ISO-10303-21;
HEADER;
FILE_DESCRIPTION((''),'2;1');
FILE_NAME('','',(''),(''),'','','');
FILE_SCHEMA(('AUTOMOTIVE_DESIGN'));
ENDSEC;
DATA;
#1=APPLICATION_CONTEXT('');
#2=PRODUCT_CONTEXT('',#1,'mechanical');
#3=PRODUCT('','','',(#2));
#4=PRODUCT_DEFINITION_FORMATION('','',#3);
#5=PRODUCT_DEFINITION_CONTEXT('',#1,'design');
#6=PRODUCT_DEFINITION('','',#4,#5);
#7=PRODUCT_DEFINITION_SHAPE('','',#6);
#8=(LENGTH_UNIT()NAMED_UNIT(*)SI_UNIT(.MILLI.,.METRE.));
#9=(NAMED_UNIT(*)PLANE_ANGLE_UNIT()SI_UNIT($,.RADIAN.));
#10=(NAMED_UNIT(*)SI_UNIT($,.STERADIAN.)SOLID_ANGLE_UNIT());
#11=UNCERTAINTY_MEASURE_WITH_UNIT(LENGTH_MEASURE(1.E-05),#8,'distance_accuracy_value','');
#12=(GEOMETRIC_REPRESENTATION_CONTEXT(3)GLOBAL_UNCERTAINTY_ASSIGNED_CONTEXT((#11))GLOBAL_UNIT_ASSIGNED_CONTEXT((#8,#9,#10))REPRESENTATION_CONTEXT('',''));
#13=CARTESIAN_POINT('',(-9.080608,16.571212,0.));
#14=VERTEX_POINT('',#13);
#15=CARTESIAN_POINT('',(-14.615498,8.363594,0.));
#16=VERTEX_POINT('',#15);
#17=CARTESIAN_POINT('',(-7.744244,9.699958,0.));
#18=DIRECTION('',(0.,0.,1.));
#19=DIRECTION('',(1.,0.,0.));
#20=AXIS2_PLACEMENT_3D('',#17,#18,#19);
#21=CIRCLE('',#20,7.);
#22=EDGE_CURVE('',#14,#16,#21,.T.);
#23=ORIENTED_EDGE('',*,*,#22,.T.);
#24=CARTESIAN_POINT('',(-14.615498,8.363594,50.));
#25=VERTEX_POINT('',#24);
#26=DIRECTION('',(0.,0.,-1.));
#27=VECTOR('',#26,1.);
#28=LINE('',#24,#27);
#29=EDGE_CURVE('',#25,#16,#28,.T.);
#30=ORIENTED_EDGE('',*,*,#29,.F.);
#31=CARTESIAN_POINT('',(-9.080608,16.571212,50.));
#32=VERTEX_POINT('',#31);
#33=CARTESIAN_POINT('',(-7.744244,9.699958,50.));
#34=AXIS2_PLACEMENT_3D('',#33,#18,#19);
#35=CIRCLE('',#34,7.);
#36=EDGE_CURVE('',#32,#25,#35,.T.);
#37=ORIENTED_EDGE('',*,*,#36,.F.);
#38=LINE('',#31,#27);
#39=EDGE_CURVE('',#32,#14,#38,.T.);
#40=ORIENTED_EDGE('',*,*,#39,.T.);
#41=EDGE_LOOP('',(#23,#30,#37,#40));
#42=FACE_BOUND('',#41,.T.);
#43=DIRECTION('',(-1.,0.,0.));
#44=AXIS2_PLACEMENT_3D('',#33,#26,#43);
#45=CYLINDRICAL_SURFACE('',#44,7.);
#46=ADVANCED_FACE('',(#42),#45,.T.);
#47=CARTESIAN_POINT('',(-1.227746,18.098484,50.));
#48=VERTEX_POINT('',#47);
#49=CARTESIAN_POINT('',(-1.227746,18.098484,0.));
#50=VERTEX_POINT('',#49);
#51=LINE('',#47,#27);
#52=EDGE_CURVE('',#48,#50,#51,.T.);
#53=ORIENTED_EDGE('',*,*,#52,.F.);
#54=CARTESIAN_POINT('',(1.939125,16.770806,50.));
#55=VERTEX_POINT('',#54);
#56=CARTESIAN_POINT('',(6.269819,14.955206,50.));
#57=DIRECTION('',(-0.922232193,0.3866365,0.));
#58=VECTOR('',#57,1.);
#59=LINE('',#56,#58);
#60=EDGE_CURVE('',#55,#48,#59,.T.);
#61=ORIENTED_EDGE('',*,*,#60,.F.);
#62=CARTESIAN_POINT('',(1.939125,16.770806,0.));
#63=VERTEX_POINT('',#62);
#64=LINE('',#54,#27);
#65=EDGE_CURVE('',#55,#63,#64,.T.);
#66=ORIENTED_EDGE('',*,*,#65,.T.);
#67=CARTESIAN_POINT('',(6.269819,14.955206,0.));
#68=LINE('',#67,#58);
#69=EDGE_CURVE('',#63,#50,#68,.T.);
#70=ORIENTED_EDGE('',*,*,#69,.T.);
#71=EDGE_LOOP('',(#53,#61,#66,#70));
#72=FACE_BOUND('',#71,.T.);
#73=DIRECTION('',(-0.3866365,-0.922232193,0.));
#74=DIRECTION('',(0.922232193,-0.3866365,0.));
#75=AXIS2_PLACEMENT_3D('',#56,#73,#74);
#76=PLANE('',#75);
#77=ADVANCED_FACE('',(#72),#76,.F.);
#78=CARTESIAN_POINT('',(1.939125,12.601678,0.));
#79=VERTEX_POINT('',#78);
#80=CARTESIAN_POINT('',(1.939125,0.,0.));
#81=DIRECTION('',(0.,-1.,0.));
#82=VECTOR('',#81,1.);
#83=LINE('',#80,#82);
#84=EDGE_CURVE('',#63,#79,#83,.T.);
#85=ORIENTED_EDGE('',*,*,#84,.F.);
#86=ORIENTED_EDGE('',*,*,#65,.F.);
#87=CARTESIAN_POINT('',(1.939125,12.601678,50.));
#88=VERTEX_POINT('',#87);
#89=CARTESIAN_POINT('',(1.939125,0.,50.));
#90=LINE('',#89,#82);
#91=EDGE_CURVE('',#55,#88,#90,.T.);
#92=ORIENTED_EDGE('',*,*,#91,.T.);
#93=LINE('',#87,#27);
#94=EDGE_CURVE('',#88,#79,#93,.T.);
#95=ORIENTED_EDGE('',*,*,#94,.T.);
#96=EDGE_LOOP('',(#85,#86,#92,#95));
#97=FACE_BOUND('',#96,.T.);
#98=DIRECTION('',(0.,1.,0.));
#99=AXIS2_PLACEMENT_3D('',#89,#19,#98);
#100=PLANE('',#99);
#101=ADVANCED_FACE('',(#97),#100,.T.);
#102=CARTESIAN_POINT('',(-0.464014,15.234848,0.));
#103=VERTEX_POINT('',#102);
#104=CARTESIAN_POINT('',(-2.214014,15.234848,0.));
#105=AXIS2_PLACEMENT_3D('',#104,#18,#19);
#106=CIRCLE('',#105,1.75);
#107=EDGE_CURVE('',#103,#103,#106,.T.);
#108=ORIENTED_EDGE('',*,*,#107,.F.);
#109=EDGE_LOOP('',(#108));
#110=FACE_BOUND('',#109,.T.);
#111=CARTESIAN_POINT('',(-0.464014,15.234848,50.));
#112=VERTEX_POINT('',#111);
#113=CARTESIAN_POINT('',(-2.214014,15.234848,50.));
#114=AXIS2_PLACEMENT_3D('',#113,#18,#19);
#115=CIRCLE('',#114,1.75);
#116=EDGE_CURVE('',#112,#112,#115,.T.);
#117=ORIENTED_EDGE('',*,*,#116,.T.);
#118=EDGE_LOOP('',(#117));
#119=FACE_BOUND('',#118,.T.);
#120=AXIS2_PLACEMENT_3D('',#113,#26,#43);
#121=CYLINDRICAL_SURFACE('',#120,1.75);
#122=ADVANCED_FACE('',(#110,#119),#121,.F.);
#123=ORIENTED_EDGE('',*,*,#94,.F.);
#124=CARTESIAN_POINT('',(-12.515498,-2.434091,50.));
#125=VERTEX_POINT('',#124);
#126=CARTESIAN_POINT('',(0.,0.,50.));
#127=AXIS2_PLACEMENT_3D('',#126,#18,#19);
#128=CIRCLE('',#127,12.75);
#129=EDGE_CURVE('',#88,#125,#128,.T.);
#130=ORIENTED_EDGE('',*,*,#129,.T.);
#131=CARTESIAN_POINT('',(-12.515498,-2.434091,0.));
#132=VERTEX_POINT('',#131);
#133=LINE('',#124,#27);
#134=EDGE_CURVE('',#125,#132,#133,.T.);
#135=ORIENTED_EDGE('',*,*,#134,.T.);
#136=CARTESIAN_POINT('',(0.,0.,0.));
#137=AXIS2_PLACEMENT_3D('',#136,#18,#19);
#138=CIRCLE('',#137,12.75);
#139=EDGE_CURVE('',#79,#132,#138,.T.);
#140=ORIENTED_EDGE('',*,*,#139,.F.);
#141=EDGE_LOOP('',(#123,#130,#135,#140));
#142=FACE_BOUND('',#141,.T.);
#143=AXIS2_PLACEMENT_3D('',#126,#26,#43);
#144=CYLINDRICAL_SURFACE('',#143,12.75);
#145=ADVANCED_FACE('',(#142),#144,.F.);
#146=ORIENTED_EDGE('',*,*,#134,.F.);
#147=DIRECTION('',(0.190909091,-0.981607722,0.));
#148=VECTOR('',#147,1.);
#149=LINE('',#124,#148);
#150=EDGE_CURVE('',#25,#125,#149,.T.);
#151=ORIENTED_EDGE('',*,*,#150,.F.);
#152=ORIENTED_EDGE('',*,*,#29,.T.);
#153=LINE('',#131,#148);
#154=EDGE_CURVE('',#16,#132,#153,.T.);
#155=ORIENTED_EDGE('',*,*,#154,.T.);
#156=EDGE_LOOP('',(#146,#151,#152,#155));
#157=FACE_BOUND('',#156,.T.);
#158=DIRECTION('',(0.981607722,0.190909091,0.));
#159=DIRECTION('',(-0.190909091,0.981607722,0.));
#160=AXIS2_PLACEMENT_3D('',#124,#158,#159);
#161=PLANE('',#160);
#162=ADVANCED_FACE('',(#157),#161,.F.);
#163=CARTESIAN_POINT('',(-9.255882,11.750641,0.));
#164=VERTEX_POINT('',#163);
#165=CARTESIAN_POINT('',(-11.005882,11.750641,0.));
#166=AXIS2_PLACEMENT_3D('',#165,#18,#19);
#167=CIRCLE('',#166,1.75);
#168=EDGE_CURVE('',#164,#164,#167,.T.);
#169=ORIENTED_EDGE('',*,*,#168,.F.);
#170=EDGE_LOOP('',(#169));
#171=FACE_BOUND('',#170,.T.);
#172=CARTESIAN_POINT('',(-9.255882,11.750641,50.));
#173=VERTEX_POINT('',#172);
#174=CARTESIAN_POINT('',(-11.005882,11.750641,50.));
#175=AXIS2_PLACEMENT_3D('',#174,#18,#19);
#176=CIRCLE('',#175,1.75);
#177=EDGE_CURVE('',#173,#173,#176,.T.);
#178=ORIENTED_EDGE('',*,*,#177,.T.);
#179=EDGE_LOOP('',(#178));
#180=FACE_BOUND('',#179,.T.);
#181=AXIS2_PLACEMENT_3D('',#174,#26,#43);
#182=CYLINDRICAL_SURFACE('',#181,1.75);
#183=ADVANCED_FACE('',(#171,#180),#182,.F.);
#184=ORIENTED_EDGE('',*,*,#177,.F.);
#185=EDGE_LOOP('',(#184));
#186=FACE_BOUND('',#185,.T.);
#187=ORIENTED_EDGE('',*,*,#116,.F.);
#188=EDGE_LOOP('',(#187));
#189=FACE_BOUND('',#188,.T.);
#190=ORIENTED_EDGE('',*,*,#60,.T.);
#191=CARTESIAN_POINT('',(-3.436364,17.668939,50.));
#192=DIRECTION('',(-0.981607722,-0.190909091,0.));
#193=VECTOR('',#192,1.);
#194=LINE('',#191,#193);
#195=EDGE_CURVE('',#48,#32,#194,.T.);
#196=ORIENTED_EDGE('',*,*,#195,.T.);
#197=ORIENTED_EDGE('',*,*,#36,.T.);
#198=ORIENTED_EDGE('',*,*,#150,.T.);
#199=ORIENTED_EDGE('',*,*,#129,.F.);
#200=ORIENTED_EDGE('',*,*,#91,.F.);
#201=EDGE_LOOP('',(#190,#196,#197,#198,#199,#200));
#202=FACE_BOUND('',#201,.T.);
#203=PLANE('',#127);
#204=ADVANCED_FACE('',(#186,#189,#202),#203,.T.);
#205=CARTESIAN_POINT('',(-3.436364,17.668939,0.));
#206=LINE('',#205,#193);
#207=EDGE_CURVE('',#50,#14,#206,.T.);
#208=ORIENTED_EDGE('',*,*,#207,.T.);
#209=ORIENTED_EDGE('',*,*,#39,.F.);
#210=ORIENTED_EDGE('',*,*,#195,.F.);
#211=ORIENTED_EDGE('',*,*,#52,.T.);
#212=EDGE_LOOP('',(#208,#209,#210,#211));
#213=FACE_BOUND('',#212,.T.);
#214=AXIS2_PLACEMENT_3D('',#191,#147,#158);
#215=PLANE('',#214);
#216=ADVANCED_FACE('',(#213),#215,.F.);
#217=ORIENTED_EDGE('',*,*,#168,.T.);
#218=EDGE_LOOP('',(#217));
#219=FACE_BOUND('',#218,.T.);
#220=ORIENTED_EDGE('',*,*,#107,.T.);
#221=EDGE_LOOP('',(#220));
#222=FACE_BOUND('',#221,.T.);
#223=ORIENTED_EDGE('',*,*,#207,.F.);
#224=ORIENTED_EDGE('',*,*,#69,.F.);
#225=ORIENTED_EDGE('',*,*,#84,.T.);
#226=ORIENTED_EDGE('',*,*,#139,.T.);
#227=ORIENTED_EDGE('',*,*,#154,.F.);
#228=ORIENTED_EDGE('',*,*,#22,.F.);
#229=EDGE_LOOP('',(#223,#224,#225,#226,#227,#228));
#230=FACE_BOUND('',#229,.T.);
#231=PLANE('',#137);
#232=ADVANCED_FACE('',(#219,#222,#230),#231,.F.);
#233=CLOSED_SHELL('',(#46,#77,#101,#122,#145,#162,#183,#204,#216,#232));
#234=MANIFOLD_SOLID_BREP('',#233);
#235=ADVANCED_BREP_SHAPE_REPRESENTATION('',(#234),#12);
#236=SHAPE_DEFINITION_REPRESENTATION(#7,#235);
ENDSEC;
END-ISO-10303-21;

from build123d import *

# Parameters (mm, degrees)
SKETCH1_R           = 1.75
BOSS_EXTRUDE1_DEPTH = 50


with BuildPart() as part:
    # Sketch1 → Boss-Extrude1 (new body)
    with BuildSketch(Plane.XY):
        with BuildLine():
            Line((-1.227746263, 18.098484442), (-9.080608035, 16.571211715))
            ThreePointArc((-9.080608035, 16.571211715), (-13.547906523, 13.61371621), (-14.61549845, 8.363594028))
            Line((-14.61549845, 8.363594028), (-12.51549845, -2.434090909))
            ThreePointArc((-12.51549845, -2.434090909), (-9.191490994, 8.83623185), (1.939125087, 12.601678218))
            Line((1.939125087, 12.601678218), (1.939125087, 16.770805726))
            Line((1.939125087, 16.770805726), (-1.227746263, 18.098484442))
        make_face()
        with Locations((-2.214014265, 15.234848079)):
            Circle(SKETCH1_R, mode=Mode.SUBTRACT)
        with Locations((-11.005882474, 11.750641074)):
            Circle(SKETCH1_R, mode=Mode.SUBTRACT)
    extrude(amount=BOSS_EXTRUDE1_DEPTH)


solid = part.part
